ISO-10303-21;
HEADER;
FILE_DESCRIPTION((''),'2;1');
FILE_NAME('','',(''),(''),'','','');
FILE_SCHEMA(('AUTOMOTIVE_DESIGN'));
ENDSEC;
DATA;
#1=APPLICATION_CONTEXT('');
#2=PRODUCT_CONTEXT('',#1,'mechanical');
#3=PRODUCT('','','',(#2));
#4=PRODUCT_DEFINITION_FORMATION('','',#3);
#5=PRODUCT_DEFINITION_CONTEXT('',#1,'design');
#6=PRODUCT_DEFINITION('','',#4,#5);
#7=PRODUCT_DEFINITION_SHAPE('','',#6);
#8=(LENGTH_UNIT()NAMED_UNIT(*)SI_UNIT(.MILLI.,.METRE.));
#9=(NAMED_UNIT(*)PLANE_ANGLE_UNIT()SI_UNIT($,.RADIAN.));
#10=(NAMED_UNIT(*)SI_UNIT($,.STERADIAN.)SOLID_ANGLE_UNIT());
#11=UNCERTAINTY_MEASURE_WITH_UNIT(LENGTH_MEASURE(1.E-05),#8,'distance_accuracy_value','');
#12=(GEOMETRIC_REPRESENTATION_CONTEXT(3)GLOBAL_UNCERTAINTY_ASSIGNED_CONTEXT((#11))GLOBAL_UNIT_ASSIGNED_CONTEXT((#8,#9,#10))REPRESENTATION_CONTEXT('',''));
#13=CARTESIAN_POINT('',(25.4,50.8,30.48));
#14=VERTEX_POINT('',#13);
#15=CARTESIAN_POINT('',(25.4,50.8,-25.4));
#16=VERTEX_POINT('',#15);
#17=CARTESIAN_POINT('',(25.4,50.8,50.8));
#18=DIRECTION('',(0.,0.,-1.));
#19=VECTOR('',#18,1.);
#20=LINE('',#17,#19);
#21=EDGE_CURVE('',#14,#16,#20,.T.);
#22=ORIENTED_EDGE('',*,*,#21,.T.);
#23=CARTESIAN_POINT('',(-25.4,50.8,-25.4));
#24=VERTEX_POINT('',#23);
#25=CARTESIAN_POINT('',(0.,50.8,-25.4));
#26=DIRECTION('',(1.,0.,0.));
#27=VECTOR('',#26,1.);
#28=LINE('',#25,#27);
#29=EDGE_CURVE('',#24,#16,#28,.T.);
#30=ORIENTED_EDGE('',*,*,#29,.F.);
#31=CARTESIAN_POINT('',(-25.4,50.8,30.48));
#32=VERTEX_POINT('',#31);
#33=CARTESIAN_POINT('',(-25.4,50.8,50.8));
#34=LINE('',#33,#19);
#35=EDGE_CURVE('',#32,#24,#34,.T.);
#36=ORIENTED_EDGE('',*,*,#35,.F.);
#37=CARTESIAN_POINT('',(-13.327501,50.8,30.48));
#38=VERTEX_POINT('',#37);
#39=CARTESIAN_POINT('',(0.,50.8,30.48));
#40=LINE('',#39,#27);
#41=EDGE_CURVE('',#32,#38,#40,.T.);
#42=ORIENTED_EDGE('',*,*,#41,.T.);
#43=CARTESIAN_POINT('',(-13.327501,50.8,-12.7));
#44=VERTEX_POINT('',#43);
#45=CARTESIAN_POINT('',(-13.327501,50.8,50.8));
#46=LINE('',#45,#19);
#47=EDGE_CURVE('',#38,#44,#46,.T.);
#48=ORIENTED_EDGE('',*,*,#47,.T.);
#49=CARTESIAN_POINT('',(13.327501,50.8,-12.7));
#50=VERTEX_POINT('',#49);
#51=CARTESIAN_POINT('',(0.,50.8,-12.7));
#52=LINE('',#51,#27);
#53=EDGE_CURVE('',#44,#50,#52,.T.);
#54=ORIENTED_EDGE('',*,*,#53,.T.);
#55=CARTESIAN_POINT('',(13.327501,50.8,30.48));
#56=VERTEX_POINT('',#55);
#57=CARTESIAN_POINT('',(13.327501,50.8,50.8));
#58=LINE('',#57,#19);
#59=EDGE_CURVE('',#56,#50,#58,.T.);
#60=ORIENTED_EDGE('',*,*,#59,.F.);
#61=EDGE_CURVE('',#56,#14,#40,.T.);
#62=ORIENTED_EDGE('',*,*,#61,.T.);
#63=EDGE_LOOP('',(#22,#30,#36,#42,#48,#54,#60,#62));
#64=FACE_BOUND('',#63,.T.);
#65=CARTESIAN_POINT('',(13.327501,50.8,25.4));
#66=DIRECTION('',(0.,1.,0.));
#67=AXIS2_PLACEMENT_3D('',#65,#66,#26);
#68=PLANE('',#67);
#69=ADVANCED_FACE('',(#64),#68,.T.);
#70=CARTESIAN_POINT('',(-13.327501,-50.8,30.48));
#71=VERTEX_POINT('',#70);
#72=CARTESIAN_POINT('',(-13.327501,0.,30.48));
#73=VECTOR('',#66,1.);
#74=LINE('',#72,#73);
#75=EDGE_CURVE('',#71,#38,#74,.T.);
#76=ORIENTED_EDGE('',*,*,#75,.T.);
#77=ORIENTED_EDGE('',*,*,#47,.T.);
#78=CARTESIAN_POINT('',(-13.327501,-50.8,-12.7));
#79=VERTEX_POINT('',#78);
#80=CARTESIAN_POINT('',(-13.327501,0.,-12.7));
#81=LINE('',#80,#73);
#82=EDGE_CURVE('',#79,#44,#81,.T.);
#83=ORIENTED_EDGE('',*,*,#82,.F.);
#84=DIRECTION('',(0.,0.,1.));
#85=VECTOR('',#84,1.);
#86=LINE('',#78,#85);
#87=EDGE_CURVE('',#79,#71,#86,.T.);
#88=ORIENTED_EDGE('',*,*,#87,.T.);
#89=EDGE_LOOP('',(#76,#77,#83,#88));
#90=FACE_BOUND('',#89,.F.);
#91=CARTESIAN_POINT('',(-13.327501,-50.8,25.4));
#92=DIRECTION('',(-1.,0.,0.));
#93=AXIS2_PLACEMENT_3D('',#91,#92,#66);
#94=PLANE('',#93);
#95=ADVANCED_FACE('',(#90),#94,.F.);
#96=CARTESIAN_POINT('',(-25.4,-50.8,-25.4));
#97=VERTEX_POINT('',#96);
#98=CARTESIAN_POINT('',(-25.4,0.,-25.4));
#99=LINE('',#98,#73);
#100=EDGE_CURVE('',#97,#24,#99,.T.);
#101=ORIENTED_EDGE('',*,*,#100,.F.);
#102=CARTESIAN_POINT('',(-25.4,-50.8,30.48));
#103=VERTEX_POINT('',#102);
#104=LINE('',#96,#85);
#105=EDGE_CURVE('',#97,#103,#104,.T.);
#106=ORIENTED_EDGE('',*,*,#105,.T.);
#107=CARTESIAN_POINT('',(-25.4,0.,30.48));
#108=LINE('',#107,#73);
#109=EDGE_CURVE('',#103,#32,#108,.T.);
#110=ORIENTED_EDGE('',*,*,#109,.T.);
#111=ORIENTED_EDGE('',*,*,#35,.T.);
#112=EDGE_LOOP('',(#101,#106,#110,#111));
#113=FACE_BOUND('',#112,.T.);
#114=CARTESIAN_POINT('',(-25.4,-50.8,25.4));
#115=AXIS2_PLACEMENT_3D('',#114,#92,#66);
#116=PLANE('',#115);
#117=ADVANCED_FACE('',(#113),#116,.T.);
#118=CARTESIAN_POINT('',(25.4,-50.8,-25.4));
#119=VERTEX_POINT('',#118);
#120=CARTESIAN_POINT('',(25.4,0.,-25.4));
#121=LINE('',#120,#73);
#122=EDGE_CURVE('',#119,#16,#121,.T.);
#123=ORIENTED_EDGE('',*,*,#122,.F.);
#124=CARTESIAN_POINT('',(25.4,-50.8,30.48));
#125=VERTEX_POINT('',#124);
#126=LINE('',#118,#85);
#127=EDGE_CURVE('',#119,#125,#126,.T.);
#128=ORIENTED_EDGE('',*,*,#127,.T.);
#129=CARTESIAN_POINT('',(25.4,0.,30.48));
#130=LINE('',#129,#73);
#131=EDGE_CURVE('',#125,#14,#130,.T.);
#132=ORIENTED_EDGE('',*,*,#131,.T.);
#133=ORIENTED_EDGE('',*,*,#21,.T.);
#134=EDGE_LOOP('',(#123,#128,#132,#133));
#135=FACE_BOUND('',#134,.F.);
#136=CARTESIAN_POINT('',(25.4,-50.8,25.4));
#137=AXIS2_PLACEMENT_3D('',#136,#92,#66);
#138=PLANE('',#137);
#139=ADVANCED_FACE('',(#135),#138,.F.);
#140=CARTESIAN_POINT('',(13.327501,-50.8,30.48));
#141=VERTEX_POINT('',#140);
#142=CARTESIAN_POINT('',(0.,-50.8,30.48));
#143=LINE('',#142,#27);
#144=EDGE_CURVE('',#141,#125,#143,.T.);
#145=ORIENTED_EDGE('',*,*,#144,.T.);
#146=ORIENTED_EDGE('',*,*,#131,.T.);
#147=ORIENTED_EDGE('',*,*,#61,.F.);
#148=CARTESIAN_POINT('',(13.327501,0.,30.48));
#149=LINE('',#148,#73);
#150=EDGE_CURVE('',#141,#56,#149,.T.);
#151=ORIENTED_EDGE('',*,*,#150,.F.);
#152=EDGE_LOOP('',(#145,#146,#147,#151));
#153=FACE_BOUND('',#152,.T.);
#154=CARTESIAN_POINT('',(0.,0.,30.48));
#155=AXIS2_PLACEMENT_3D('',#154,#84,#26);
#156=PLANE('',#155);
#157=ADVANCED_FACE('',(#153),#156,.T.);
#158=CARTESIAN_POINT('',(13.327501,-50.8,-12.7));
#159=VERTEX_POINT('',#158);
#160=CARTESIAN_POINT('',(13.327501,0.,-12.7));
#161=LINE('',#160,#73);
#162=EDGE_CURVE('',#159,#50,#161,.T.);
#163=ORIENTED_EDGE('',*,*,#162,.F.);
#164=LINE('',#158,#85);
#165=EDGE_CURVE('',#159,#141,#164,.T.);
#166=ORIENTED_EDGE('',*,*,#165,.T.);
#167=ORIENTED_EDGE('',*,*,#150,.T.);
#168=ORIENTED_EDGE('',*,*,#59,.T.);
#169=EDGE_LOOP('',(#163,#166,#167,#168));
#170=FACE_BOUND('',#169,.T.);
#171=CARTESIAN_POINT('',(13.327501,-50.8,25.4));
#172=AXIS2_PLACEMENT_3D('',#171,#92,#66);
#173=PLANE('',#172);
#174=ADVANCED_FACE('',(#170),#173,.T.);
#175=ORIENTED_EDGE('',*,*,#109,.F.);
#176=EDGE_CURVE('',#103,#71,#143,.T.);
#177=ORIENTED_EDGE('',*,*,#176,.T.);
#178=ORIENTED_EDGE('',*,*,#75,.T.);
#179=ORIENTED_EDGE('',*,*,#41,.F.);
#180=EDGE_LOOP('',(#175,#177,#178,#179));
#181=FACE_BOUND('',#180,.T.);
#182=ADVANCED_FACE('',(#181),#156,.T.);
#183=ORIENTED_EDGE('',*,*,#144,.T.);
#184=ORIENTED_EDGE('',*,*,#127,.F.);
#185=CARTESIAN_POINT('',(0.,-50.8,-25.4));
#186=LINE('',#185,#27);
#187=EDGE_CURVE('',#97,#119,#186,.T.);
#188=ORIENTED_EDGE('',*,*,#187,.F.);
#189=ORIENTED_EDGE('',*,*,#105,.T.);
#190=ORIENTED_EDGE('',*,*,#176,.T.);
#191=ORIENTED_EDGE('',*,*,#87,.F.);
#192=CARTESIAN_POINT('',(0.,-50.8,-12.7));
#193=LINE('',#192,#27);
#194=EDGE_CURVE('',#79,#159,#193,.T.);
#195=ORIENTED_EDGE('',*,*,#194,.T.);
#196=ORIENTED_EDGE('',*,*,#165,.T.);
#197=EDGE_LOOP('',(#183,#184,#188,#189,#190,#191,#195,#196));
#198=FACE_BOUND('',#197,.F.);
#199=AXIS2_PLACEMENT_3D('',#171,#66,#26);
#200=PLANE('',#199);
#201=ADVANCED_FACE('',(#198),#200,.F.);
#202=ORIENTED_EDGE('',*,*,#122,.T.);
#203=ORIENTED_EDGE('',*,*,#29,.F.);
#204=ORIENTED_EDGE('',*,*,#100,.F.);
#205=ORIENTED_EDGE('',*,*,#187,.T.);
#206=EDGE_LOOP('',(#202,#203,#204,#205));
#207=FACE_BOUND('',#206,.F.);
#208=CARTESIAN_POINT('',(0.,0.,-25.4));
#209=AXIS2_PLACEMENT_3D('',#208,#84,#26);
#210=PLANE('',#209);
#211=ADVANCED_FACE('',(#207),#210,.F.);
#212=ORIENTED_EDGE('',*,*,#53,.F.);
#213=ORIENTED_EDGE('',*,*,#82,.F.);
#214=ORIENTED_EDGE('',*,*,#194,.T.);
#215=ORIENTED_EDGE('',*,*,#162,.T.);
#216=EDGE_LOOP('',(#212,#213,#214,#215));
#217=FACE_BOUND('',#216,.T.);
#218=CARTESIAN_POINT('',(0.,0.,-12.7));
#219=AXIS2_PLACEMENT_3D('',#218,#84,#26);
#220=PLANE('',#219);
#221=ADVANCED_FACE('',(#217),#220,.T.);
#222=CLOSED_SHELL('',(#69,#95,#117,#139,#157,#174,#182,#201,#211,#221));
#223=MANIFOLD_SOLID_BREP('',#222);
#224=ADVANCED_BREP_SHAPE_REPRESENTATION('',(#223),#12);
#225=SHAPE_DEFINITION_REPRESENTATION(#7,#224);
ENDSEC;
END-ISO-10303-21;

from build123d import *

# Parameters (mm, degrees)
F0_W     = 50.8
F0_H     = 101.6
F1_DEPTH = 25.4
F2_W     = 26.6550015658
F2_H     = 101.6
F3_DEPTH = 38.1
F4_DEPTH = 25.4
F5_DEPTH = 25.4
F6_DEPTH = 20.32


with BuildPart() as f1:
    # F0 (on Top) → F1 (new body, symmetric)
    with BuildSketch(Plane.XY):
        Rectangle(F0_W, F0_H)
    extrude(amount=F1_DEPTH, both=True)

    # F2 (on face) → F3 (cut)
    with BuildSketch(Plane.XY.offset(25.4)):
        Rectangle(F2_W, F2_H)
    extrude(amount=-F3_DEPTH, mode=Mode.SUBTRACT)

    # F4 (add): a face of the model
    f4_faces = [f1.faces().sort_by_distance(p)[0] for p in [
        (-19.3637503915, 0, 25.4),
    ]]
    extrude(f4_faces, amount=F4_DEPTH)

    # F5 (add): a face of the model
    f5_faces = [f1.faces().sort_by_distance(p)[0] for p in [
        (19.3637503915, 0, 25.4),
    ]]
    extrude(f5_faces, amount=F5_DEPTH)

    # F6 (cut): faces of the model
    f6_faces = [f1.faces().sort_by_distance(p)[0] for p in [
        (19.3637503915, 0, 50.8),
        (-19.3637503915, 0, 50.8),
    ]]
    extrude(f6_faces, amount=-F6_DEPTH, mode=Mode.SUBTRACT)


solid = f1.part
